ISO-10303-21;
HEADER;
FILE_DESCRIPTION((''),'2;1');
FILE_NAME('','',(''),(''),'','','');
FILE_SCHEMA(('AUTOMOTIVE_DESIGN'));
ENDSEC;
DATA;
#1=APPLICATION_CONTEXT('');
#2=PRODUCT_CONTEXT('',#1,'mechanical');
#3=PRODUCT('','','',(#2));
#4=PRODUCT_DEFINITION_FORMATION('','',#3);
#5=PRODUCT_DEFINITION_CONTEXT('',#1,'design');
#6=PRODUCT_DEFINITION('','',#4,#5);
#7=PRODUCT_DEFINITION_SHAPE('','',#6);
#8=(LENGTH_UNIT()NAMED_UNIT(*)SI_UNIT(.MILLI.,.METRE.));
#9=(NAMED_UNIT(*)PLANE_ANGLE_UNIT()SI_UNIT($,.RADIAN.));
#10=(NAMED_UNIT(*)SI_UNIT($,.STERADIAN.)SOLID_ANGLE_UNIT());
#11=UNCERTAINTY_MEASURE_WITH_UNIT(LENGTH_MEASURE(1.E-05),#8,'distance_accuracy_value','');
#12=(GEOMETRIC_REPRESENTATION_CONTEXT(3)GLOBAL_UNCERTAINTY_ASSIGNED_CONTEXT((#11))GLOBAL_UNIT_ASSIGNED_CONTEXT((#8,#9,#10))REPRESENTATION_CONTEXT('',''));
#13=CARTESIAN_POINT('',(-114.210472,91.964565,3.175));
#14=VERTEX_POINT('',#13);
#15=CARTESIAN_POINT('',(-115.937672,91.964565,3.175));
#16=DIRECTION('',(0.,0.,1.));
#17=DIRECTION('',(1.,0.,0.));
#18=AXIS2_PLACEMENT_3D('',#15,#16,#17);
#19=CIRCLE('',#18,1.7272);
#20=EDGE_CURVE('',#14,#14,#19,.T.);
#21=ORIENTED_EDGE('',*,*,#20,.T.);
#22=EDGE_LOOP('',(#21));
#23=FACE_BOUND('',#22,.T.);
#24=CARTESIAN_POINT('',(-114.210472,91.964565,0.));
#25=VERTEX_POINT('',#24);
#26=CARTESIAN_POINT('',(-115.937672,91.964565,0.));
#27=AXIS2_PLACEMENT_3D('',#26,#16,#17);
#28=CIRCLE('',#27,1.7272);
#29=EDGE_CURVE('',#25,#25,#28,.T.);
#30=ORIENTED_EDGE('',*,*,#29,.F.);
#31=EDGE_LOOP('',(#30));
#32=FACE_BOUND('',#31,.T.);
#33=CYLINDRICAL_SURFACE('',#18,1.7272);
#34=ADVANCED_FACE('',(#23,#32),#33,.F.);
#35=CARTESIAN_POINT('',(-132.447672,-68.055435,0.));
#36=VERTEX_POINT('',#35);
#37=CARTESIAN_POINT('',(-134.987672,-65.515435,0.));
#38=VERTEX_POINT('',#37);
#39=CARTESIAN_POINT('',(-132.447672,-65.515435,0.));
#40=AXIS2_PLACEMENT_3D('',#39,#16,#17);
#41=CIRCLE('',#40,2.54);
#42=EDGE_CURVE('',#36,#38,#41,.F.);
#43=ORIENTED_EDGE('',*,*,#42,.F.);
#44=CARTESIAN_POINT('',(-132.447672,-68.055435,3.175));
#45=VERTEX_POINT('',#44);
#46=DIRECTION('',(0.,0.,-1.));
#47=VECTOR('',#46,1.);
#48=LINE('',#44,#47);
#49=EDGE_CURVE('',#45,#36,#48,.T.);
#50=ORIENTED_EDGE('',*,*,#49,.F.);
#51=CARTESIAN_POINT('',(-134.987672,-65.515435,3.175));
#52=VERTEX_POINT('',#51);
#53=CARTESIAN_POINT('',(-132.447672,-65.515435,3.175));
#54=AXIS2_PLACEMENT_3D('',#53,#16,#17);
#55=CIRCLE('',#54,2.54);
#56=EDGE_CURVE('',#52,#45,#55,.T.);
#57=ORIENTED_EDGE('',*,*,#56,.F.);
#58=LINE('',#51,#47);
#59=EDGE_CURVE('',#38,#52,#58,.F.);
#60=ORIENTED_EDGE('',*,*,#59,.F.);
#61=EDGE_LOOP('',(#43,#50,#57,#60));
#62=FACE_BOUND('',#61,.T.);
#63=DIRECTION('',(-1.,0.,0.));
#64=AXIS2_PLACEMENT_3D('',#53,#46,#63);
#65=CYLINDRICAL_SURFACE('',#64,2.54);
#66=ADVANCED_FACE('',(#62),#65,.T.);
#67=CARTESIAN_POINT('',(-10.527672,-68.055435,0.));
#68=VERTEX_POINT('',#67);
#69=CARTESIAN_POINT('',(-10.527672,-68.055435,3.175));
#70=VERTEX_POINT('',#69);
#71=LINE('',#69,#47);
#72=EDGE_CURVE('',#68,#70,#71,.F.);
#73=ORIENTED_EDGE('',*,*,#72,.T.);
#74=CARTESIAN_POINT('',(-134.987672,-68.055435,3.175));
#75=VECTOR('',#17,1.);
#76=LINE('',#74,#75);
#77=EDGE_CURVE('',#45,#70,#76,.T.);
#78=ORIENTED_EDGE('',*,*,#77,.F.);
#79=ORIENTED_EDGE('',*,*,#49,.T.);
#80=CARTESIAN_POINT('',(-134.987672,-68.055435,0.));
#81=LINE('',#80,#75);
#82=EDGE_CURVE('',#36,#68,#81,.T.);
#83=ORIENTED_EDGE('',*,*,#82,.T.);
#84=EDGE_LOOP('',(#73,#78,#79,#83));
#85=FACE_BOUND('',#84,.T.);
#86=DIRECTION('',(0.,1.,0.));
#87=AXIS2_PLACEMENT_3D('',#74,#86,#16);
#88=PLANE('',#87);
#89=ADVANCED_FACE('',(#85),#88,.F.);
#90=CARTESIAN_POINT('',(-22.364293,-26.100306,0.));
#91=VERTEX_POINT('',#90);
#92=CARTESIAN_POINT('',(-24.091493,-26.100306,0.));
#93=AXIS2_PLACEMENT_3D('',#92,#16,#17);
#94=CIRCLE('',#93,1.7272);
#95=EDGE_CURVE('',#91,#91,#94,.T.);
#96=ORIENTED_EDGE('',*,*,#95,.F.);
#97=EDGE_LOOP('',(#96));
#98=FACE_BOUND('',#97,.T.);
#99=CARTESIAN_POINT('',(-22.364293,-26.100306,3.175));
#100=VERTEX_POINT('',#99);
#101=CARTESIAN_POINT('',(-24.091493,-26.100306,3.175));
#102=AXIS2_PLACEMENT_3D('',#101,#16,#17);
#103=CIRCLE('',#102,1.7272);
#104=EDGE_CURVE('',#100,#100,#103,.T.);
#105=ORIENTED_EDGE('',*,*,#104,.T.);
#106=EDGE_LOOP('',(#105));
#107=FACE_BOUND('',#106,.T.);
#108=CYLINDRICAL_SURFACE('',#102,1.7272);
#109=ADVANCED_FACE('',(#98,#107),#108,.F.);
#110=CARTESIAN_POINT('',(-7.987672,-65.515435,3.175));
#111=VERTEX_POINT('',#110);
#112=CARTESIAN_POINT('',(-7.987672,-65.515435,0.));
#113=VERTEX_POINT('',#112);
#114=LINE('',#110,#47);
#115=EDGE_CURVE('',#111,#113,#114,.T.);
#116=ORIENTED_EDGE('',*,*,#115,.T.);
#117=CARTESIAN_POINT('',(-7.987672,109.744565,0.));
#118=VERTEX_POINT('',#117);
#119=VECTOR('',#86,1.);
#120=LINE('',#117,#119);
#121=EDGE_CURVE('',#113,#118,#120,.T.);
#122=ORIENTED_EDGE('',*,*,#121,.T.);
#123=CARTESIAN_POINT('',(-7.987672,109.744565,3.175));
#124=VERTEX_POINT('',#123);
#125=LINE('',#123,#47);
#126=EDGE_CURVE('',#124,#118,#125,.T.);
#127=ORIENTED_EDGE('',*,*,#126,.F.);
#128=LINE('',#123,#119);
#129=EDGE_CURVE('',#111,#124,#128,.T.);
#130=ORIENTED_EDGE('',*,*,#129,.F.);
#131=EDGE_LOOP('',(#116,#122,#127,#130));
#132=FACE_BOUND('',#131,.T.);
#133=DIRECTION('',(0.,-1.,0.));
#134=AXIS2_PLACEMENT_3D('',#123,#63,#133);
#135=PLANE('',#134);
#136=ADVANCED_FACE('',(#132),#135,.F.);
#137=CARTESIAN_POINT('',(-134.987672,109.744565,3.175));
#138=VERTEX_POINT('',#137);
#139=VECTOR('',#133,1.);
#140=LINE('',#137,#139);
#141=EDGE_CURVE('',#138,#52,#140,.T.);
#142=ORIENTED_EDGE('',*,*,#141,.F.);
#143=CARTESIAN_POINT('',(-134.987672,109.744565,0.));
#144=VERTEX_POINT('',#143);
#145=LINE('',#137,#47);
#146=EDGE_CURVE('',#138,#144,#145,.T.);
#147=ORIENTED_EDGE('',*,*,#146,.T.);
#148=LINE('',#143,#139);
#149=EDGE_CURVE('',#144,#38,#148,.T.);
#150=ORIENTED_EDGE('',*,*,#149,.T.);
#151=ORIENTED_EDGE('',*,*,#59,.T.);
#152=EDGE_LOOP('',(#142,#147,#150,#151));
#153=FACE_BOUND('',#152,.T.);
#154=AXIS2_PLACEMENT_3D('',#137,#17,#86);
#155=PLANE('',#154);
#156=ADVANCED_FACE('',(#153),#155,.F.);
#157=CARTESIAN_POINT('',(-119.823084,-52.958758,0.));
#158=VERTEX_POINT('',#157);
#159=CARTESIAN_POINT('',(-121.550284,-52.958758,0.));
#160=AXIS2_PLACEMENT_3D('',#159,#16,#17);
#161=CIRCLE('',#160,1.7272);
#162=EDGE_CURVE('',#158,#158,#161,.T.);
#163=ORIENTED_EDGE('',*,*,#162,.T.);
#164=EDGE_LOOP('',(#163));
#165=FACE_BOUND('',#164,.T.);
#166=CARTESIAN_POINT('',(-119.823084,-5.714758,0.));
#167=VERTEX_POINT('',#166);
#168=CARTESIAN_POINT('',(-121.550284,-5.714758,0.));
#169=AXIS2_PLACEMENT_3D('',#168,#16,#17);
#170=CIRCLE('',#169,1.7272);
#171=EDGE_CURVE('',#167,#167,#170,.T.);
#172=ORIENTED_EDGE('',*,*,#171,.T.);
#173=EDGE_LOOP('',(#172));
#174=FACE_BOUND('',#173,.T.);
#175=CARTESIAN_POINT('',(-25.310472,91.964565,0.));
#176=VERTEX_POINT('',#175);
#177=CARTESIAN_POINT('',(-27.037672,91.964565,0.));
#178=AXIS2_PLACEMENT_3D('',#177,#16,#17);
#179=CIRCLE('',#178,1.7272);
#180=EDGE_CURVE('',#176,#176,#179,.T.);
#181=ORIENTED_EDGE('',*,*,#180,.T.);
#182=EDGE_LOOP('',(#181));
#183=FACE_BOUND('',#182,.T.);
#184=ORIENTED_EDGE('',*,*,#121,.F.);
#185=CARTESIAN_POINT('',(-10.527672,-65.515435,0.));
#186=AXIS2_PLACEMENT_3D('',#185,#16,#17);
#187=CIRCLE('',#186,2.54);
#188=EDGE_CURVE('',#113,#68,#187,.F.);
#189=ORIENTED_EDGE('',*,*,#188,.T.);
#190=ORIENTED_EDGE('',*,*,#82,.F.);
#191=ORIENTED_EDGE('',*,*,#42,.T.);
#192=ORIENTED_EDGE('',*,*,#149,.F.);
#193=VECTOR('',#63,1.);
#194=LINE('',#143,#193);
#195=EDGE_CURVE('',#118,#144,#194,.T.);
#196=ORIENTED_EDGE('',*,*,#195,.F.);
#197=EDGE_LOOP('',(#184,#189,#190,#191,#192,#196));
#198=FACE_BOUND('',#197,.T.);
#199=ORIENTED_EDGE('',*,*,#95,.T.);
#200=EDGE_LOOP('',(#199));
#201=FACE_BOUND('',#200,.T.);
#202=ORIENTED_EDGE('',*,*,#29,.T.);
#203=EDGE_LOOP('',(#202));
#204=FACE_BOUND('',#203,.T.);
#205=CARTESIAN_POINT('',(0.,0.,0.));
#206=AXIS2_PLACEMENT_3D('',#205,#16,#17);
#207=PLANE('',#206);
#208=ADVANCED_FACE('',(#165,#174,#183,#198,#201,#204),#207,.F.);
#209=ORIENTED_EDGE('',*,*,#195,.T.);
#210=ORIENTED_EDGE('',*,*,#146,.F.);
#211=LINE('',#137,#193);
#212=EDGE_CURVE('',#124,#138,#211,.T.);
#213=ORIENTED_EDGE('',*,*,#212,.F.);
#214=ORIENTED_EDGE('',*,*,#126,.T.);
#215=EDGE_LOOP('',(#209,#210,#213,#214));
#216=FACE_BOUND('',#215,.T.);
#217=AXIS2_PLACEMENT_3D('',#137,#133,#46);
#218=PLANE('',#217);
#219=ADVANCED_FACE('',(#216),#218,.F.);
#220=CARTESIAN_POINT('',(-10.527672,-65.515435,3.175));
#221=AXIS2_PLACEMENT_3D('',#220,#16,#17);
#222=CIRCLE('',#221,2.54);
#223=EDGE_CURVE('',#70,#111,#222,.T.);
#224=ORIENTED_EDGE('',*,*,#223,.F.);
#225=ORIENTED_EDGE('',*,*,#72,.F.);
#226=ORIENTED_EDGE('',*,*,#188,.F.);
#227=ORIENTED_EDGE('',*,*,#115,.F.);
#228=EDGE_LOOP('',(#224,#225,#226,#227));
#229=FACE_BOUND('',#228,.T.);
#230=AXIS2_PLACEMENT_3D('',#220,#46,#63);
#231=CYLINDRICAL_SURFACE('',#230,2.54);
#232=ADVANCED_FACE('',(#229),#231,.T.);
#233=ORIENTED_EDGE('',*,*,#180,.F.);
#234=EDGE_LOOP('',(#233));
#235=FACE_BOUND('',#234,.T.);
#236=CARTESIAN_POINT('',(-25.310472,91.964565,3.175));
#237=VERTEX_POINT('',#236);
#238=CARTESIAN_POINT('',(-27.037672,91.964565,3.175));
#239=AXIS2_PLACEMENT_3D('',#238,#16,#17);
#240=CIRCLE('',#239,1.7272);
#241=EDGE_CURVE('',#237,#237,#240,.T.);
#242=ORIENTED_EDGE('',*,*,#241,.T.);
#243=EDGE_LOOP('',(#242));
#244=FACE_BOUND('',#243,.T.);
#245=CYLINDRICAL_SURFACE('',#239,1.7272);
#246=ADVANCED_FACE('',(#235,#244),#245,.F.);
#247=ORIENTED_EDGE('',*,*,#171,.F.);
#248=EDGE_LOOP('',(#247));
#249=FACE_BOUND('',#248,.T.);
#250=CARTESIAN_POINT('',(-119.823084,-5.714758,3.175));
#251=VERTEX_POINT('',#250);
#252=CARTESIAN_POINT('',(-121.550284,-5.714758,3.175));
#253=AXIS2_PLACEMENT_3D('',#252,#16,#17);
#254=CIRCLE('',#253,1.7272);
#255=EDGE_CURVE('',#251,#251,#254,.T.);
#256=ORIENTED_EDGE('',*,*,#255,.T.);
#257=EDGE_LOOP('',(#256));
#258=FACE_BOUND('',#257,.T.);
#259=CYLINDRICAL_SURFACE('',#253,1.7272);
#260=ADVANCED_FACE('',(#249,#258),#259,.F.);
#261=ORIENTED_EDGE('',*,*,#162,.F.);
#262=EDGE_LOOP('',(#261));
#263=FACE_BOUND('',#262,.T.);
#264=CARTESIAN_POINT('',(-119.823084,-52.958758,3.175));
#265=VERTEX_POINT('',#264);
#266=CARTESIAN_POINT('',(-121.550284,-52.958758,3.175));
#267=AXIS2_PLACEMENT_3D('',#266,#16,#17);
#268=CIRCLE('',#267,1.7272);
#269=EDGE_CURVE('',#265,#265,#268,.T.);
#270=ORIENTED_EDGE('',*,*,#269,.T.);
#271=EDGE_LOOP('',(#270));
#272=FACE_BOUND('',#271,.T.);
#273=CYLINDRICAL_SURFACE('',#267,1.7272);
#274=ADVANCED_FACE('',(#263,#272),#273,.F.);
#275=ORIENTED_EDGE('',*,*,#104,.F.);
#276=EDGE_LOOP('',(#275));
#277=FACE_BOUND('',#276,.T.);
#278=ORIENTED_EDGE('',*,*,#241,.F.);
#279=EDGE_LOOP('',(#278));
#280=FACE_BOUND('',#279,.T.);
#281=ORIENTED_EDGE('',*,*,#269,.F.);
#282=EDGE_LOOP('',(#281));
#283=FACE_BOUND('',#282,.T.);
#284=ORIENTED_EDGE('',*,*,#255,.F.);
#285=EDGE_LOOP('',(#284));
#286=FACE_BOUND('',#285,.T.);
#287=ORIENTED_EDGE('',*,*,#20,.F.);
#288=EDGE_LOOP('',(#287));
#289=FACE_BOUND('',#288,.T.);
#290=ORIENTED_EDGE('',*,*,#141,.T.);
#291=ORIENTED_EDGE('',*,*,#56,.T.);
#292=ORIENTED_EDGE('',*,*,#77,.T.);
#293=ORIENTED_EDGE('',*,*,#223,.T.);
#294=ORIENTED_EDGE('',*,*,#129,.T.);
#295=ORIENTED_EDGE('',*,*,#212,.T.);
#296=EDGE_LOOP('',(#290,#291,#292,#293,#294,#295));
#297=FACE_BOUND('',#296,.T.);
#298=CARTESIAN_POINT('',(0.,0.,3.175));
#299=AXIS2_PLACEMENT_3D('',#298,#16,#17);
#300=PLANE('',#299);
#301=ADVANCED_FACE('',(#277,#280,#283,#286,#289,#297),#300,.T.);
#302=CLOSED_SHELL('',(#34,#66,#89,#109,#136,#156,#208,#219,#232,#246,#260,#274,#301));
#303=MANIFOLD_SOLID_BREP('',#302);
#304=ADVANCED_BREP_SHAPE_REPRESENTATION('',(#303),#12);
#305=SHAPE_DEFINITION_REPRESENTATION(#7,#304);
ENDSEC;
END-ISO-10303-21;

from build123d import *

# Parameters (mm, degrees)
SKETCH1_W                   = 127
SKETCH1_H                   = 177.8
BOSS_EXTRUDE1_DEPTH         = 3.175
F_29_0_136_DIAMETER_HOLE1_D = 3.4544
FILLET1_R                   = 2.54
TAP_DRILL_FOR_8_32_TAP1_D   = 3.4544


with BuildPart() as part:
    # Sketch1 → Boss-Extrude1 (new body)
    with BuildSketch(Plane.XY):
        with Locations((-71.487671776, 20.844565217)):
            Rectangle(SKETCH1_W, SKETCH1_H)
    extrude(amount=BOSS_EXTRUDE1_DEPTH)

    # #29 (0.136) Diameter Hole1 (through all)
    with Locations(Plane.XY.offset(3.175)):
        with Locations((-27.037671776, 91.964565217), (-115.937671776, 91.964565217)):
            Hole(F_29_0_136_DIAMETER_HOLE1_D / 2)

    # Fillet1
    fillet1_edges = [part.edges().sort_by_distance(p)[0] for p in [
        (-7.987671776, -68.055434783, 1.5875),
        (-134.987671776, -68.055434783, 1.5875),
    ]]
    fillet(fillet1_edges, radius=FILLET1_R)

    # Tap Drill for #8-32 Tap1 (through all)
    with Locations(Plane.XY.offset(3.175)):
        with Locations((-121.550284352, -52.958757681), (-121.550284352, -5.714757681), (-24.091492851, -26.100306068)):
            Hole(TAP_DRILL_FOR_8_32_TAP1_D / 2)


solid = part.part
